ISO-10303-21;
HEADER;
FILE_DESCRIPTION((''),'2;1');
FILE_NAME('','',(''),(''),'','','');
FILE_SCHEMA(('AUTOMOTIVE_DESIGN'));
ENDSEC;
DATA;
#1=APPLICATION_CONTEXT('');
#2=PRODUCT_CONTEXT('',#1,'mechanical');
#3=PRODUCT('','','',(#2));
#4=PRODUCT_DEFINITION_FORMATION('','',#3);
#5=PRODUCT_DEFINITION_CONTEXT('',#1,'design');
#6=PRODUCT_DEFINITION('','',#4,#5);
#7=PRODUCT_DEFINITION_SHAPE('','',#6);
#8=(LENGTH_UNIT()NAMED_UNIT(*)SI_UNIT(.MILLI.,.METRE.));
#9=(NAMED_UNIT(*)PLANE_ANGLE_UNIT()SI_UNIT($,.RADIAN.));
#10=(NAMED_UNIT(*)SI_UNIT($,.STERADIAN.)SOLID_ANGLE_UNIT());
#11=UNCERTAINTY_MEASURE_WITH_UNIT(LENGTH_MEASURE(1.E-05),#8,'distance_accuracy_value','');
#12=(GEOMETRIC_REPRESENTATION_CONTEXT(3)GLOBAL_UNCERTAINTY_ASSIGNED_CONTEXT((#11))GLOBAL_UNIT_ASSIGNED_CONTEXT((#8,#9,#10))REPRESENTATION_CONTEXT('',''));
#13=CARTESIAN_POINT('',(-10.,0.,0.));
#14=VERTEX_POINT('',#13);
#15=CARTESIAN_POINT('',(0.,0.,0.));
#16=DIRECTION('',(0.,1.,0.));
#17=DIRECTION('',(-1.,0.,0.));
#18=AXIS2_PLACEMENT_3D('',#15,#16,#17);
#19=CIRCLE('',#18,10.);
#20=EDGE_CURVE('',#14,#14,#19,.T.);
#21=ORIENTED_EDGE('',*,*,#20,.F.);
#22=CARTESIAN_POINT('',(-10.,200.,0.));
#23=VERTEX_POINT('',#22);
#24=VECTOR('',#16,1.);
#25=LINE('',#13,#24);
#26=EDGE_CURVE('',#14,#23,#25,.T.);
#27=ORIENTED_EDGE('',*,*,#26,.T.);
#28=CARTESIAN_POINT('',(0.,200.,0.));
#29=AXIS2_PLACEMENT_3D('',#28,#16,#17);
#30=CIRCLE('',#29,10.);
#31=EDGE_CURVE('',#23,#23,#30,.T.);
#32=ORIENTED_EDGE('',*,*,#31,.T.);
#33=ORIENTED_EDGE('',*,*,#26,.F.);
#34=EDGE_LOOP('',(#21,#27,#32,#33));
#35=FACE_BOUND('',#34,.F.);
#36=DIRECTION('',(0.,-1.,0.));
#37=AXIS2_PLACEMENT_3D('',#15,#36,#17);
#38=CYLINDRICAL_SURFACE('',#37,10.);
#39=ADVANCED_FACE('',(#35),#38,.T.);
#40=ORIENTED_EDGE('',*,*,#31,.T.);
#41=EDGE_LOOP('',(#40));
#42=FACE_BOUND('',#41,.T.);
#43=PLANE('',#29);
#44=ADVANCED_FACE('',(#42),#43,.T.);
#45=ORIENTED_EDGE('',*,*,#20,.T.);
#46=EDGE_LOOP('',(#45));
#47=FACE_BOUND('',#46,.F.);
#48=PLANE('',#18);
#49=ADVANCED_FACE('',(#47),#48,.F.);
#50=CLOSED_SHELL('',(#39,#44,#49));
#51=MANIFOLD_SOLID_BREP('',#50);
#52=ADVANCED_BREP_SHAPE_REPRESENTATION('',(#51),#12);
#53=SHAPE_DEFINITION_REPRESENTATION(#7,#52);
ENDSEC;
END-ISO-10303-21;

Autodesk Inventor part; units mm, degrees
ref_plane "YZ Plane" through (0, 0, 0) normal (1, 0, 0) x (0, 1, 0)
ref_plane "XZ Plane" through (0, 0, 0) normal (0, 1, 0) x (-1, 0, 0)
ref_plane "XY Plane" through (0, 0, 0) normal (0, 0, 1) x (1, 0, 0)
sketch "Sketch2" plane through (0, 0, 0) normal (0, 1, 0) x (-1, 0, 0)
  circle A0 centre (0, 0) radius 10
  dimension "d0" = 20
extrude "Extrusion1" add sketch "Sketch2" along normal blind 200
properties part number "inner tube"
